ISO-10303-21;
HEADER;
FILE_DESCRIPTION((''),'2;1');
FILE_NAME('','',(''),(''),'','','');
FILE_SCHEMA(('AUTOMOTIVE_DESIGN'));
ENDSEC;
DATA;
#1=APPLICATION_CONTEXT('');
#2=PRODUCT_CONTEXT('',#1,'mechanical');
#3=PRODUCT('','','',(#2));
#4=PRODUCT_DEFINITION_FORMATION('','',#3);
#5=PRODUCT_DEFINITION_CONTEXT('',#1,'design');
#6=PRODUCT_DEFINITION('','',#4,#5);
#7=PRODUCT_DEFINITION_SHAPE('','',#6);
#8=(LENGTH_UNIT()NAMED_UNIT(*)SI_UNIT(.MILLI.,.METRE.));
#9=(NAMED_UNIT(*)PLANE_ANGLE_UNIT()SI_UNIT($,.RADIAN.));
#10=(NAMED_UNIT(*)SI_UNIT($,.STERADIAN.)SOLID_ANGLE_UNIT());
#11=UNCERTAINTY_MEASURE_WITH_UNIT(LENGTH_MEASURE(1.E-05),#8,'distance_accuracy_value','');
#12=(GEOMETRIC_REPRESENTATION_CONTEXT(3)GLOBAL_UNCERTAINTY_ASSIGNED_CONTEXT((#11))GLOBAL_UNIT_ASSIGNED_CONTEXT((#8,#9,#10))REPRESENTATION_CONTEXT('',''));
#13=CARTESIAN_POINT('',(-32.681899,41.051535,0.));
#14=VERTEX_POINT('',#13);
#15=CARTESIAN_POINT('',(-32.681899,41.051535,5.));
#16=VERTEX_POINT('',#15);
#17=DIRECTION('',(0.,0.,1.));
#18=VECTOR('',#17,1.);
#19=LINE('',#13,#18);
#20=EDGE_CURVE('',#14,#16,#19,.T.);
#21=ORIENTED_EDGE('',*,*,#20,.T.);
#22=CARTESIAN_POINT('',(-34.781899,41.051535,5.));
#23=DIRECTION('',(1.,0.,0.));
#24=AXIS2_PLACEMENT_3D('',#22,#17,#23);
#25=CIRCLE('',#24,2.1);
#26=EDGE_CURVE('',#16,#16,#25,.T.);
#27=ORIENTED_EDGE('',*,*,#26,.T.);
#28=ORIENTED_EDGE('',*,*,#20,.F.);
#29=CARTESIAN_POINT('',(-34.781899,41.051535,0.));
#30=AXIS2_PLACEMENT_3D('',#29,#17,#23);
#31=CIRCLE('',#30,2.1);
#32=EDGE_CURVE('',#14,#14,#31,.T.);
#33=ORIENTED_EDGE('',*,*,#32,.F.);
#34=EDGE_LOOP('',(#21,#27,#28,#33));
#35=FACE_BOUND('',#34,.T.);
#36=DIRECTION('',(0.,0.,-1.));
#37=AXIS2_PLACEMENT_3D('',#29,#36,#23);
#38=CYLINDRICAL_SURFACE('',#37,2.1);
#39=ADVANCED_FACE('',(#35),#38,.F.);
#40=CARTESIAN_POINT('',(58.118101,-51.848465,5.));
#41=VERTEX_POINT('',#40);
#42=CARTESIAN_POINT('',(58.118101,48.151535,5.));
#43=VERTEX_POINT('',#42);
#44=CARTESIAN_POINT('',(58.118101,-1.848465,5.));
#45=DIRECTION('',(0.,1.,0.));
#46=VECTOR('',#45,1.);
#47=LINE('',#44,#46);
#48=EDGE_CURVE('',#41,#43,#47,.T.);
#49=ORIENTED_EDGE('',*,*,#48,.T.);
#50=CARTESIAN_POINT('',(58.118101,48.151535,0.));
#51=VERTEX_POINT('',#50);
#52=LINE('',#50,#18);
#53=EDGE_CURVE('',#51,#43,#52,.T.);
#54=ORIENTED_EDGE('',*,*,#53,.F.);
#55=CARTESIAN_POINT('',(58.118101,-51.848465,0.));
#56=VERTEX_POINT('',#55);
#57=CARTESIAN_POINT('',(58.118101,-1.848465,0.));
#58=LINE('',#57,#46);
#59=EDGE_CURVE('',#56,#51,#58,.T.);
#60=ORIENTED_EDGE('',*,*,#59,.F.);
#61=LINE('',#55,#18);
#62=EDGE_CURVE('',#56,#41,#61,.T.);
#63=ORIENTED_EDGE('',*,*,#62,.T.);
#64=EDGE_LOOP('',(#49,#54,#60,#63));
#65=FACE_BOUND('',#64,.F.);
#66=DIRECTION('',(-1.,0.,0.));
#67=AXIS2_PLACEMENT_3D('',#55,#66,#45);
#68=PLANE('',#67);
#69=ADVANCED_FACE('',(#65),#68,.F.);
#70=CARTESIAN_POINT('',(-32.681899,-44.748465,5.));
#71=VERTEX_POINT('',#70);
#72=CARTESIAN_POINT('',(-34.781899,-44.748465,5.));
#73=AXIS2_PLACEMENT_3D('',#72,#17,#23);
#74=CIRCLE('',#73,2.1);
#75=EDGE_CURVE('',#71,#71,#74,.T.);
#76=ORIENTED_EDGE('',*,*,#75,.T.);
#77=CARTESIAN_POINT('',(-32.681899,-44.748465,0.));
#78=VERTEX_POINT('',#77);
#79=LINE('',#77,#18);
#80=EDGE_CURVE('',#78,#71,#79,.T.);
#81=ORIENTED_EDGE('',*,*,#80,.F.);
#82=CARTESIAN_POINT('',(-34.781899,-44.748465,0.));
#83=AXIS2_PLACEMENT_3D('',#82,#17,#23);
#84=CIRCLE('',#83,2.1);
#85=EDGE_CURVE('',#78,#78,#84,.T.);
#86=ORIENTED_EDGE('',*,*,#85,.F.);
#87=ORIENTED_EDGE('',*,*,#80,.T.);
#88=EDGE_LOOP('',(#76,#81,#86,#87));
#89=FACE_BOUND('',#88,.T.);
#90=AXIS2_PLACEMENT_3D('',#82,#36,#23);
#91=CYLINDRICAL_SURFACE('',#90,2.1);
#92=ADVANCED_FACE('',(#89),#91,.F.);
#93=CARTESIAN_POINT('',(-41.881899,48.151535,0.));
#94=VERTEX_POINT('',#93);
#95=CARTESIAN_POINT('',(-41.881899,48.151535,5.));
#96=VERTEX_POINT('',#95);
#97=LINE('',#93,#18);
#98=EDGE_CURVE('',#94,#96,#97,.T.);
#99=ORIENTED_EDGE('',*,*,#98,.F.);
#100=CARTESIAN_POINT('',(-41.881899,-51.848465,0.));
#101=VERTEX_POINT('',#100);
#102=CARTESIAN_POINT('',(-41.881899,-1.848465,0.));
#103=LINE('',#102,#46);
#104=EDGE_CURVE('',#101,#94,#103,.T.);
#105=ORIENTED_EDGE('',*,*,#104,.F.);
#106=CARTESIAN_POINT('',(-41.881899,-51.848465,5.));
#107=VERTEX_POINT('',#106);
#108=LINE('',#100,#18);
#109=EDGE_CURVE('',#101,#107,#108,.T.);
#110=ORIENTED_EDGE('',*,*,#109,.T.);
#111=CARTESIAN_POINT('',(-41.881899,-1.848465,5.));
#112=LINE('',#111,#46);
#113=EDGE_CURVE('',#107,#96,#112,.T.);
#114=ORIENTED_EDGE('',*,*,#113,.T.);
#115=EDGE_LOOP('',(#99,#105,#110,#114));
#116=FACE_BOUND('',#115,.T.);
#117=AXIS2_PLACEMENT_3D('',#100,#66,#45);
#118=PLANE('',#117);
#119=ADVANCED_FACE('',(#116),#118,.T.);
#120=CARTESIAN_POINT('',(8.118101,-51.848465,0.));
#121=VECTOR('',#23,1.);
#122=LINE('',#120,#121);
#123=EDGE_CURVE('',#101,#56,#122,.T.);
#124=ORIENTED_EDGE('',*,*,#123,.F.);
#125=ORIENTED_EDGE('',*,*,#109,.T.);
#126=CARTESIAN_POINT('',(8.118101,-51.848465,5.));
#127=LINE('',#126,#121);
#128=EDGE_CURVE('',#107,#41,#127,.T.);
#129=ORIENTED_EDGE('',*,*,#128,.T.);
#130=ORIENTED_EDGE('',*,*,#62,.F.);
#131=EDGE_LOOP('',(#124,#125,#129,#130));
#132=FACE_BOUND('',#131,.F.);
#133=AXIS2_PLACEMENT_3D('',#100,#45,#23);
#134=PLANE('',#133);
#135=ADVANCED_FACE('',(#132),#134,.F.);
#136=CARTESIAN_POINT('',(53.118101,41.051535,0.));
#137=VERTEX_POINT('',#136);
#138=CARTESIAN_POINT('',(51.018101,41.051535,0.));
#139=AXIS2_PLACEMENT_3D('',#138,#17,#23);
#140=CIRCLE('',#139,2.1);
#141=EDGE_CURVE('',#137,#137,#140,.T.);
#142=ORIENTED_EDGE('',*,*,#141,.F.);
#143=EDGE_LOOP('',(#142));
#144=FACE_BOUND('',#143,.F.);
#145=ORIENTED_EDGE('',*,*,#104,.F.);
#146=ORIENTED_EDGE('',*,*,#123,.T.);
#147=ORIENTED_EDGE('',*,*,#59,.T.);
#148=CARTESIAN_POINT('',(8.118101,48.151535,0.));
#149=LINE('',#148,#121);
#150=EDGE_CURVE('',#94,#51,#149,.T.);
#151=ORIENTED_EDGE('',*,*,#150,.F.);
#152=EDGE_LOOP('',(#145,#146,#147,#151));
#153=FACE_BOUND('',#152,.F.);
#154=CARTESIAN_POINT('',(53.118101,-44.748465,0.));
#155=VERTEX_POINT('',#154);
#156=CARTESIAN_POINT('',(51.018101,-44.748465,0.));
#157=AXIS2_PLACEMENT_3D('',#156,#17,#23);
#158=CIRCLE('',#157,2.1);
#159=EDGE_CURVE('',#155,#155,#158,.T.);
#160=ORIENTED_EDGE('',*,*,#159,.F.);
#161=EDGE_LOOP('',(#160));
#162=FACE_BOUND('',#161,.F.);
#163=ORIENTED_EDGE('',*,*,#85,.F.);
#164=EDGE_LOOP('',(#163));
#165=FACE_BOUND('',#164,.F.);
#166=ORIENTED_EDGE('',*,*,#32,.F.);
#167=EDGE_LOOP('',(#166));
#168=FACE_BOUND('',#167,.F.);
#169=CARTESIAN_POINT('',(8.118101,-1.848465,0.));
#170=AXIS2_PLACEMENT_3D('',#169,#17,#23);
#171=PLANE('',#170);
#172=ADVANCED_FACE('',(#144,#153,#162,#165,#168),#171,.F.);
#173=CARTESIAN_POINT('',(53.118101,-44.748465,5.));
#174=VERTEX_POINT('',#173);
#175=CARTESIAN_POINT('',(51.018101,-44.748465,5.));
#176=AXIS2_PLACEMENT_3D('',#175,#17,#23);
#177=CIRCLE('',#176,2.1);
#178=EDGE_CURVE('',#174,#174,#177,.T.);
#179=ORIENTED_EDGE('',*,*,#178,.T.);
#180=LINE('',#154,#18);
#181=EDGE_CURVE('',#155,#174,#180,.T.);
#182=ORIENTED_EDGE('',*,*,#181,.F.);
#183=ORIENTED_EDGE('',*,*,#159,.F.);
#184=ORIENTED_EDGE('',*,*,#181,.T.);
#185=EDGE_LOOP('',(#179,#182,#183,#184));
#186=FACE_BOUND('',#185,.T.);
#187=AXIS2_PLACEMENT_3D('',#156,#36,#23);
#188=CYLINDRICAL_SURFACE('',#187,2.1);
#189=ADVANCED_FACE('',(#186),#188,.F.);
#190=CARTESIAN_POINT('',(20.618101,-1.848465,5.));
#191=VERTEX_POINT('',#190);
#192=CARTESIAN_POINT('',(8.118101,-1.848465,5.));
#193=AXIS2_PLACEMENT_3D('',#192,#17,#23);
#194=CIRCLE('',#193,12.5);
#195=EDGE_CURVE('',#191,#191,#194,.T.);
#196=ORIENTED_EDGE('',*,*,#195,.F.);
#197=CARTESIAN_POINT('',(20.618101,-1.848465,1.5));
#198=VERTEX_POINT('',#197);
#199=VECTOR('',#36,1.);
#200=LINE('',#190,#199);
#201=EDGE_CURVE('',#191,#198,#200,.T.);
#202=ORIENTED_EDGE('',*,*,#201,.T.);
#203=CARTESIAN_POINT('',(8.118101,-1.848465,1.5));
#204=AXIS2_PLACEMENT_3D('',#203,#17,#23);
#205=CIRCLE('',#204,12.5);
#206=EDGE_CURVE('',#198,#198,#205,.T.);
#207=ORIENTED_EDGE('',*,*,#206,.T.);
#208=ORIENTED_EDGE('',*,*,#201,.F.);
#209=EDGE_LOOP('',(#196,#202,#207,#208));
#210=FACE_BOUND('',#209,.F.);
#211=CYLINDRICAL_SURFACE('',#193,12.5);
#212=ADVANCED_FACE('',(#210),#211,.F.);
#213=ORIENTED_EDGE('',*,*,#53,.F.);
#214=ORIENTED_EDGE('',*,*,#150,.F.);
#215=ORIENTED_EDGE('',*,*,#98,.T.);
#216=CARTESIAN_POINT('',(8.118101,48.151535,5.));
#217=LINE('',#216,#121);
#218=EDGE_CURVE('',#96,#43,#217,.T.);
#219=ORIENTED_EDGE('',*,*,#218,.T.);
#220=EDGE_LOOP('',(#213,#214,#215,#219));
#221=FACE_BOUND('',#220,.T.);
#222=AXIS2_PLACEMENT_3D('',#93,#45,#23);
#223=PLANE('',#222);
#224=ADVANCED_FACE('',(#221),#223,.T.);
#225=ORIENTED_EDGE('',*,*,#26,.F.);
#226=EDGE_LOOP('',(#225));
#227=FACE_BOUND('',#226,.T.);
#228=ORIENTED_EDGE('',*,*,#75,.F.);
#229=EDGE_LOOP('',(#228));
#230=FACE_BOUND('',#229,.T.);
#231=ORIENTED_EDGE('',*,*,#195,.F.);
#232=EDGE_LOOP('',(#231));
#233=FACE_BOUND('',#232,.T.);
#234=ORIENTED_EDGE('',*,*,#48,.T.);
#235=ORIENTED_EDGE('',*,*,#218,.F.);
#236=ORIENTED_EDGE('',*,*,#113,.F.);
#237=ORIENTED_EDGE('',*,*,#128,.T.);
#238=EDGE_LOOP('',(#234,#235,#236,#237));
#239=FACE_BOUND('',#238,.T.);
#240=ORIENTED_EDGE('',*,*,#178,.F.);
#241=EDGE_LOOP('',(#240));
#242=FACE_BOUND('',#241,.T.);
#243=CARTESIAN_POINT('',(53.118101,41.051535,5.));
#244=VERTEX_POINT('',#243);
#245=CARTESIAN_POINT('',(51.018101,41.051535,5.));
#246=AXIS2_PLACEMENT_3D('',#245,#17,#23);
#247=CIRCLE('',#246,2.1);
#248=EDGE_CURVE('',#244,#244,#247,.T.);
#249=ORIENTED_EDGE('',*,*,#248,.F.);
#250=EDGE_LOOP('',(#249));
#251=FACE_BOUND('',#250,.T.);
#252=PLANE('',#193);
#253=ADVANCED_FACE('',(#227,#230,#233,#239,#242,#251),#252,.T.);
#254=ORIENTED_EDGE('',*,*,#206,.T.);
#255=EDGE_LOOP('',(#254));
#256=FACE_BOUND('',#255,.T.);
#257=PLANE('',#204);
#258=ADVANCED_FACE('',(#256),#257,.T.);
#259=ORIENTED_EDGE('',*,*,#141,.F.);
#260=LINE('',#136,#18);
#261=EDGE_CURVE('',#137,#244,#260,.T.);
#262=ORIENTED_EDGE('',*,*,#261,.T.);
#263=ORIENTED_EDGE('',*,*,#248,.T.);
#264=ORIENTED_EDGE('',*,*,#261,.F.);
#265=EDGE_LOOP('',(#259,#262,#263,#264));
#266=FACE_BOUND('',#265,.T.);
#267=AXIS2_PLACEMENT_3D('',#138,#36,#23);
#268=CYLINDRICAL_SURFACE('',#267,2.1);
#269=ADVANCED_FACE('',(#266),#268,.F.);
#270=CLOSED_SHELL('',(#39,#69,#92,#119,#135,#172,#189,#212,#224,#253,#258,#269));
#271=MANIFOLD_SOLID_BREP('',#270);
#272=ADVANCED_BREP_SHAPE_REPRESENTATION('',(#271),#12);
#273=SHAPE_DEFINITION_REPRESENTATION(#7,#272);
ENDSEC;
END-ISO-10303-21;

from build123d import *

# Parameters (mm, degrees)
F0_W     = 100
F0_H     = 100
F0_R     = 2.1
F1_DEPTH = 5
F2_R     = 12.5
F3_DEPTH = 3.5


with BuildPart() as f1:
    # F0 (on Top) → F1 (new body)
    with BuildSketch(Plane.XY):
        with Locations((8.118101, -1.848465)):
            Rectangle(F0_W, F0_H)
        with Locations((-34.781899, -44.748465)):
            Circle(F0_R, mode=Mode.SUBTRACT)
        with Locations((51.018101, -44.748465)):
            Circle(F0_R, mode=Mode.SUBTRACT)
        with Locations((-34.781899, 41.051535)):
            Circle(F0_R, mode=Mode.SUBTRACT)
        with Locations((51.018101, 41.051535)):
            Circle(F0_R, mode=Mode.SUBTRACT)
    extrude(amount=F1_DEPTH)

    # F2 (on face) → F3 (cut)
    with BuildSketch(Plane.XY.offset(5)):
        with Locations((8.118101, -1.848465)):
            Circle(F2_R)
    extrude(amount=-F3_DEPTH, mode=Mode.SUBTRACT)


solid = f1.part
